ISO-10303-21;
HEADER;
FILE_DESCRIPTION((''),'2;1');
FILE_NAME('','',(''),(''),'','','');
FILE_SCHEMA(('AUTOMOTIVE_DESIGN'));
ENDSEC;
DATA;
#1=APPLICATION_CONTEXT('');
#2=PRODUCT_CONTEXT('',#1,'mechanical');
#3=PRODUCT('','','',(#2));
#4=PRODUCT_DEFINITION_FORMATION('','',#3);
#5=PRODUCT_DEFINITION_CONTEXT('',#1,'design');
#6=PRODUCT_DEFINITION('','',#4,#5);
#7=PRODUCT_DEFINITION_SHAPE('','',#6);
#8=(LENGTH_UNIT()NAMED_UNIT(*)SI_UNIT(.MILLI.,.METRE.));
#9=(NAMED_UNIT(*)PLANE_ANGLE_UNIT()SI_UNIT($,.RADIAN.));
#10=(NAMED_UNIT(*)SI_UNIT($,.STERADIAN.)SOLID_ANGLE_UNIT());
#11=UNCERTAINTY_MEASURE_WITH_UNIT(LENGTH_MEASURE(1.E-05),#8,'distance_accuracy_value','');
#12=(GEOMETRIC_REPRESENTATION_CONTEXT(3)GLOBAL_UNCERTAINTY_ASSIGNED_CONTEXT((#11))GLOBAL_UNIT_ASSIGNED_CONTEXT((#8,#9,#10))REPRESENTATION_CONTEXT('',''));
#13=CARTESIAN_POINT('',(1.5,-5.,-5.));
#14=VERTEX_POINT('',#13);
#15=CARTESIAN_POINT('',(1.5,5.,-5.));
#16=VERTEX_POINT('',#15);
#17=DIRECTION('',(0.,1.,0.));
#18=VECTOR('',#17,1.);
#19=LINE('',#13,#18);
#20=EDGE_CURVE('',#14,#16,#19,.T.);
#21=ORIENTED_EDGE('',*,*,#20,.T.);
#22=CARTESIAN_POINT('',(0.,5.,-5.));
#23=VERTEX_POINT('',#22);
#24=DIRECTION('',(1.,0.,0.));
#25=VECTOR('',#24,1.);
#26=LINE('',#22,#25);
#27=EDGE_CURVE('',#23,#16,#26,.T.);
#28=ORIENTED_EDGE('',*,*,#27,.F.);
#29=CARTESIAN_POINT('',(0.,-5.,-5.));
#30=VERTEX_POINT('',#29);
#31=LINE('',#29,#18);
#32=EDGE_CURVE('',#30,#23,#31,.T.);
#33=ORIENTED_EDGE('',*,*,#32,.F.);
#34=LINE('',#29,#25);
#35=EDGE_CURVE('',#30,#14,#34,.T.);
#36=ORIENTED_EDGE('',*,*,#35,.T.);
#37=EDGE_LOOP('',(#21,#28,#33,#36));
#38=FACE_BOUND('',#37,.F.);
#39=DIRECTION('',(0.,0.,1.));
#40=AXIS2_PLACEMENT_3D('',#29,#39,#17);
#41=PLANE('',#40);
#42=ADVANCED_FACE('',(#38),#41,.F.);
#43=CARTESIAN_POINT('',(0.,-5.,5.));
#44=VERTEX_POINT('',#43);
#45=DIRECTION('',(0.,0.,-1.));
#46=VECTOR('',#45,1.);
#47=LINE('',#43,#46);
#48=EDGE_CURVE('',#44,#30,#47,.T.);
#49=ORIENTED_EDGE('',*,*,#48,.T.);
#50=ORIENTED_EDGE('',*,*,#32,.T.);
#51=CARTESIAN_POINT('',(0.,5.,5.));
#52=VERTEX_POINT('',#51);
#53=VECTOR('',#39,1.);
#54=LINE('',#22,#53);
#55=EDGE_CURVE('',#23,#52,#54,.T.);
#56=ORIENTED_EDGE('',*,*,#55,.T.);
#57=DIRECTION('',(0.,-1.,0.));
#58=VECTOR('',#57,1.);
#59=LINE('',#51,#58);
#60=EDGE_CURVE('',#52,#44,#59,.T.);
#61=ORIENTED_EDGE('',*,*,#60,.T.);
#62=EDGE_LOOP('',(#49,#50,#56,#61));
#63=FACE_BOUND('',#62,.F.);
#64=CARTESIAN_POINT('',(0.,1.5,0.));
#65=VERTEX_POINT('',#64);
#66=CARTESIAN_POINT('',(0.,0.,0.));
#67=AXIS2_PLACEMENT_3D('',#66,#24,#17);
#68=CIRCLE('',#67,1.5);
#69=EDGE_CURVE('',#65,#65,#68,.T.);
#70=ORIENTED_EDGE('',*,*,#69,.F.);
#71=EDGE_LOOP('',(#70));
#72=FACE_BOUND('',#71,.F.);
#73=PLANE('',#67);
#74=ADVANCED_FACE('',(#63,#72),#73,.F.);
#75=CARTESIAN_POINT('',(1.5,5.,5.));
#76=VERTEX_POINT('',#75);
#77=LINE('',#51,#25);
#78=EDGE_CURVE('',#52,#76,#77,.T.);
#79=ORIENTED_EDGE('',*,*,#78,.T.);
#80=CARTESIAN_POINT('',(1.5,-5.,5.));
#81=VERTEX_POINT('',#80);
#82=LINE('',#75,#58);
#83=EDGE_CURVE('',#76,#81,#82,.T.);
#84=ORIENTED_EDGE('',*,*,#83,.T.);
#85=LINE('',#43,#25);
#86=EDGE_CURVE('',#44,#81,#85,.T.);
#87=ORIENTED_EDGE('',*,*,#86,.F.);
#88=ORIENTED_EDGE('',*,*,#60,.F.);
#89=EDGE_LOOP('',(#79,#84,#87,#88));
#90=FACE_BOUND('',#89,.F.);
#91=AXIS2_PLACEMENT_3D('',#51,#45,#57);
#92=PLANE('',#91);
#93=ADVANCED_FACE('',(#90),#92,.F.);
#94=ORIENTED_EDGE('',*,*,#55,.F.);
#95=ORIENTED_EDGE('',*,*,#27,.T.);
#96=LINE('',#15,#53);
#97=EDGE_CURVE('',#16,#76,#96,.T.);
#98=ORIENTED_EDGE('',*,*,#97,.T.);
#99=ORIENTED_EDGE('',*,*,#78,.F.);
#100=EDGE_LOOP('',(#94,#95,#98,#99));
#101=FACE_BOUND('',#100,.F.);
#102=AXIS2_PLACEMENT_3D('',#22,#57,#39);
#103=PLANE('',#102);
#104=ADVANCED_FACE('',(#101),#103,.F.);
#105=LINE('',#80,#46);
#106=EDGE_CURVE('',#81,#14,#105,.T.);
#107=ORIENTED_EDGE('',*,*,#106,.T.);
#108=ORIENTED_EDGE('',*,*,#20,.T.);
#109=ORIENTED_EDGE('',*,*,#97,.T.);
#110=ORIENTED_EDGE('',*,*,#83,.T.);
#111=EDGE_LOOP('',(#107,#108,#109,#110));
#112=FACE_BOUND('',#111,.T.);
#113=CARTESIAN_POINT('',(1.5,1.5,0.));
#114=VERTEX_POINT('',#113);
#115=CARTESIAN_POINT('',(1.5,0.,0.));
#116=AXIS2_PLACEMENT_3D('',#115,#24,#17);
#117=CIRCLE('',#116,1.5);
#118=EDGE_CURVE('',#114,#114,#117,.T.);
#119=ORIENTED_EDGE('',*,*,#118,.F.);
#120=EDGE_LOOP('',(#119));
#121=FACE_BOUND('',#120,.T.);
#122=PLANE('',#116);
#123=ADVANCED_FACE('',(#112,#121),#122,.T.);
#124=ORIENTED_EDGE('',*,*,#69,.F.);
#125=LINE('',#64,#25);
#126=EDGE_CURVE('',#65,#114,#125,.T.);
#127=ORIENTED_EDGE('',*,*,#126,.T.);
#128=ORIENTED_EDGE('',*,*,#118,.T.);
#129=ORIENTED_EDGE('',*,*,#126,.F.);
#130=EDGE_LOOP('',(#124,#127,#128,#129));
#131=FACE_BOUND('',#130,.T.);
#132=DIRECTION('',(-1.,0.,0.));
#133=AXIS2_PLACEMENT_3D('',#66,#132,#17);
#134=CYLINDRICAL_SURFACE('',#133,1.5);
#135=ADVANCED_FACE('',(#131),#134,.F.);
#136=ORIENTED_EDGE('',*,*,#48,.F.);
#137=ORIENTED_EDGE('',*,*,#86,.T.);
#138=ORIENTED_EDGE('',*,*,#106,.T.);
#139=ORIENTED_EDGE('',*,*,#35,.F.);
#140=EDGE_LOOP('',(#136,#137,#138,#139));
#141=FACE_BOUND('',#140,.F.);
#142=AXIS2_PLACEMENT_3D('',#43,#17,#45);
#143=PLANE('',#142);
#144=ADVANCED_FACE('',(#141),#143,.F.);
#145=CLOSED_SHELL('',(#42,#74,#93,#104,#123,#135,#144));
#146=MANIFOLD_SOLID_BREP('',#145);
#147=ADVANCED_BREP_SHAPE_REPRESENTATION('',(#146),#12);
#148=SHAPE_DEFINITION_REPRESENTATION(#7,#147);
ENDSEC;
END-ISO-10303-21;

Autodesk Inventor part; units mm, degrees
ref_plane "YZ Plane" through (0, 0, 0) normal (1, 0, 0) x (0, 1, 0)
ref_plane "XZ Plane" through (0, 0, 0) normal (0, 1, 0) x (-1, 0, 0)
ref_plane "XY Plane" through (0, 0, 0) normal (0, 0, 1) x (1, 0, 0)
sketch "Sketch1" plane through (0, 0, 0) normal (1, 0, 0) x (0, 1, 0)
  line L0 (5, 5) -> (-5, 5)
  line L1 (-5, 5) -> (-5, -5)
  line L2 (-5, -5) -> (5, -5)
  line L3 (5, -5) -> (5, 5)
  line L4 (5, 5) -> (-5, -5) construction
  line L5 (-5, 5) -> (5, -5) construction
  circle A0 centre (0, 0) radius 1.5
  dimension "d0" = 10
  dimension "d1" = 10
  dimension "d2" = 3
extrude "Extrusion1" add sketch "Sketch1" along normal blind 1.5
properties part number "beringKundi"
